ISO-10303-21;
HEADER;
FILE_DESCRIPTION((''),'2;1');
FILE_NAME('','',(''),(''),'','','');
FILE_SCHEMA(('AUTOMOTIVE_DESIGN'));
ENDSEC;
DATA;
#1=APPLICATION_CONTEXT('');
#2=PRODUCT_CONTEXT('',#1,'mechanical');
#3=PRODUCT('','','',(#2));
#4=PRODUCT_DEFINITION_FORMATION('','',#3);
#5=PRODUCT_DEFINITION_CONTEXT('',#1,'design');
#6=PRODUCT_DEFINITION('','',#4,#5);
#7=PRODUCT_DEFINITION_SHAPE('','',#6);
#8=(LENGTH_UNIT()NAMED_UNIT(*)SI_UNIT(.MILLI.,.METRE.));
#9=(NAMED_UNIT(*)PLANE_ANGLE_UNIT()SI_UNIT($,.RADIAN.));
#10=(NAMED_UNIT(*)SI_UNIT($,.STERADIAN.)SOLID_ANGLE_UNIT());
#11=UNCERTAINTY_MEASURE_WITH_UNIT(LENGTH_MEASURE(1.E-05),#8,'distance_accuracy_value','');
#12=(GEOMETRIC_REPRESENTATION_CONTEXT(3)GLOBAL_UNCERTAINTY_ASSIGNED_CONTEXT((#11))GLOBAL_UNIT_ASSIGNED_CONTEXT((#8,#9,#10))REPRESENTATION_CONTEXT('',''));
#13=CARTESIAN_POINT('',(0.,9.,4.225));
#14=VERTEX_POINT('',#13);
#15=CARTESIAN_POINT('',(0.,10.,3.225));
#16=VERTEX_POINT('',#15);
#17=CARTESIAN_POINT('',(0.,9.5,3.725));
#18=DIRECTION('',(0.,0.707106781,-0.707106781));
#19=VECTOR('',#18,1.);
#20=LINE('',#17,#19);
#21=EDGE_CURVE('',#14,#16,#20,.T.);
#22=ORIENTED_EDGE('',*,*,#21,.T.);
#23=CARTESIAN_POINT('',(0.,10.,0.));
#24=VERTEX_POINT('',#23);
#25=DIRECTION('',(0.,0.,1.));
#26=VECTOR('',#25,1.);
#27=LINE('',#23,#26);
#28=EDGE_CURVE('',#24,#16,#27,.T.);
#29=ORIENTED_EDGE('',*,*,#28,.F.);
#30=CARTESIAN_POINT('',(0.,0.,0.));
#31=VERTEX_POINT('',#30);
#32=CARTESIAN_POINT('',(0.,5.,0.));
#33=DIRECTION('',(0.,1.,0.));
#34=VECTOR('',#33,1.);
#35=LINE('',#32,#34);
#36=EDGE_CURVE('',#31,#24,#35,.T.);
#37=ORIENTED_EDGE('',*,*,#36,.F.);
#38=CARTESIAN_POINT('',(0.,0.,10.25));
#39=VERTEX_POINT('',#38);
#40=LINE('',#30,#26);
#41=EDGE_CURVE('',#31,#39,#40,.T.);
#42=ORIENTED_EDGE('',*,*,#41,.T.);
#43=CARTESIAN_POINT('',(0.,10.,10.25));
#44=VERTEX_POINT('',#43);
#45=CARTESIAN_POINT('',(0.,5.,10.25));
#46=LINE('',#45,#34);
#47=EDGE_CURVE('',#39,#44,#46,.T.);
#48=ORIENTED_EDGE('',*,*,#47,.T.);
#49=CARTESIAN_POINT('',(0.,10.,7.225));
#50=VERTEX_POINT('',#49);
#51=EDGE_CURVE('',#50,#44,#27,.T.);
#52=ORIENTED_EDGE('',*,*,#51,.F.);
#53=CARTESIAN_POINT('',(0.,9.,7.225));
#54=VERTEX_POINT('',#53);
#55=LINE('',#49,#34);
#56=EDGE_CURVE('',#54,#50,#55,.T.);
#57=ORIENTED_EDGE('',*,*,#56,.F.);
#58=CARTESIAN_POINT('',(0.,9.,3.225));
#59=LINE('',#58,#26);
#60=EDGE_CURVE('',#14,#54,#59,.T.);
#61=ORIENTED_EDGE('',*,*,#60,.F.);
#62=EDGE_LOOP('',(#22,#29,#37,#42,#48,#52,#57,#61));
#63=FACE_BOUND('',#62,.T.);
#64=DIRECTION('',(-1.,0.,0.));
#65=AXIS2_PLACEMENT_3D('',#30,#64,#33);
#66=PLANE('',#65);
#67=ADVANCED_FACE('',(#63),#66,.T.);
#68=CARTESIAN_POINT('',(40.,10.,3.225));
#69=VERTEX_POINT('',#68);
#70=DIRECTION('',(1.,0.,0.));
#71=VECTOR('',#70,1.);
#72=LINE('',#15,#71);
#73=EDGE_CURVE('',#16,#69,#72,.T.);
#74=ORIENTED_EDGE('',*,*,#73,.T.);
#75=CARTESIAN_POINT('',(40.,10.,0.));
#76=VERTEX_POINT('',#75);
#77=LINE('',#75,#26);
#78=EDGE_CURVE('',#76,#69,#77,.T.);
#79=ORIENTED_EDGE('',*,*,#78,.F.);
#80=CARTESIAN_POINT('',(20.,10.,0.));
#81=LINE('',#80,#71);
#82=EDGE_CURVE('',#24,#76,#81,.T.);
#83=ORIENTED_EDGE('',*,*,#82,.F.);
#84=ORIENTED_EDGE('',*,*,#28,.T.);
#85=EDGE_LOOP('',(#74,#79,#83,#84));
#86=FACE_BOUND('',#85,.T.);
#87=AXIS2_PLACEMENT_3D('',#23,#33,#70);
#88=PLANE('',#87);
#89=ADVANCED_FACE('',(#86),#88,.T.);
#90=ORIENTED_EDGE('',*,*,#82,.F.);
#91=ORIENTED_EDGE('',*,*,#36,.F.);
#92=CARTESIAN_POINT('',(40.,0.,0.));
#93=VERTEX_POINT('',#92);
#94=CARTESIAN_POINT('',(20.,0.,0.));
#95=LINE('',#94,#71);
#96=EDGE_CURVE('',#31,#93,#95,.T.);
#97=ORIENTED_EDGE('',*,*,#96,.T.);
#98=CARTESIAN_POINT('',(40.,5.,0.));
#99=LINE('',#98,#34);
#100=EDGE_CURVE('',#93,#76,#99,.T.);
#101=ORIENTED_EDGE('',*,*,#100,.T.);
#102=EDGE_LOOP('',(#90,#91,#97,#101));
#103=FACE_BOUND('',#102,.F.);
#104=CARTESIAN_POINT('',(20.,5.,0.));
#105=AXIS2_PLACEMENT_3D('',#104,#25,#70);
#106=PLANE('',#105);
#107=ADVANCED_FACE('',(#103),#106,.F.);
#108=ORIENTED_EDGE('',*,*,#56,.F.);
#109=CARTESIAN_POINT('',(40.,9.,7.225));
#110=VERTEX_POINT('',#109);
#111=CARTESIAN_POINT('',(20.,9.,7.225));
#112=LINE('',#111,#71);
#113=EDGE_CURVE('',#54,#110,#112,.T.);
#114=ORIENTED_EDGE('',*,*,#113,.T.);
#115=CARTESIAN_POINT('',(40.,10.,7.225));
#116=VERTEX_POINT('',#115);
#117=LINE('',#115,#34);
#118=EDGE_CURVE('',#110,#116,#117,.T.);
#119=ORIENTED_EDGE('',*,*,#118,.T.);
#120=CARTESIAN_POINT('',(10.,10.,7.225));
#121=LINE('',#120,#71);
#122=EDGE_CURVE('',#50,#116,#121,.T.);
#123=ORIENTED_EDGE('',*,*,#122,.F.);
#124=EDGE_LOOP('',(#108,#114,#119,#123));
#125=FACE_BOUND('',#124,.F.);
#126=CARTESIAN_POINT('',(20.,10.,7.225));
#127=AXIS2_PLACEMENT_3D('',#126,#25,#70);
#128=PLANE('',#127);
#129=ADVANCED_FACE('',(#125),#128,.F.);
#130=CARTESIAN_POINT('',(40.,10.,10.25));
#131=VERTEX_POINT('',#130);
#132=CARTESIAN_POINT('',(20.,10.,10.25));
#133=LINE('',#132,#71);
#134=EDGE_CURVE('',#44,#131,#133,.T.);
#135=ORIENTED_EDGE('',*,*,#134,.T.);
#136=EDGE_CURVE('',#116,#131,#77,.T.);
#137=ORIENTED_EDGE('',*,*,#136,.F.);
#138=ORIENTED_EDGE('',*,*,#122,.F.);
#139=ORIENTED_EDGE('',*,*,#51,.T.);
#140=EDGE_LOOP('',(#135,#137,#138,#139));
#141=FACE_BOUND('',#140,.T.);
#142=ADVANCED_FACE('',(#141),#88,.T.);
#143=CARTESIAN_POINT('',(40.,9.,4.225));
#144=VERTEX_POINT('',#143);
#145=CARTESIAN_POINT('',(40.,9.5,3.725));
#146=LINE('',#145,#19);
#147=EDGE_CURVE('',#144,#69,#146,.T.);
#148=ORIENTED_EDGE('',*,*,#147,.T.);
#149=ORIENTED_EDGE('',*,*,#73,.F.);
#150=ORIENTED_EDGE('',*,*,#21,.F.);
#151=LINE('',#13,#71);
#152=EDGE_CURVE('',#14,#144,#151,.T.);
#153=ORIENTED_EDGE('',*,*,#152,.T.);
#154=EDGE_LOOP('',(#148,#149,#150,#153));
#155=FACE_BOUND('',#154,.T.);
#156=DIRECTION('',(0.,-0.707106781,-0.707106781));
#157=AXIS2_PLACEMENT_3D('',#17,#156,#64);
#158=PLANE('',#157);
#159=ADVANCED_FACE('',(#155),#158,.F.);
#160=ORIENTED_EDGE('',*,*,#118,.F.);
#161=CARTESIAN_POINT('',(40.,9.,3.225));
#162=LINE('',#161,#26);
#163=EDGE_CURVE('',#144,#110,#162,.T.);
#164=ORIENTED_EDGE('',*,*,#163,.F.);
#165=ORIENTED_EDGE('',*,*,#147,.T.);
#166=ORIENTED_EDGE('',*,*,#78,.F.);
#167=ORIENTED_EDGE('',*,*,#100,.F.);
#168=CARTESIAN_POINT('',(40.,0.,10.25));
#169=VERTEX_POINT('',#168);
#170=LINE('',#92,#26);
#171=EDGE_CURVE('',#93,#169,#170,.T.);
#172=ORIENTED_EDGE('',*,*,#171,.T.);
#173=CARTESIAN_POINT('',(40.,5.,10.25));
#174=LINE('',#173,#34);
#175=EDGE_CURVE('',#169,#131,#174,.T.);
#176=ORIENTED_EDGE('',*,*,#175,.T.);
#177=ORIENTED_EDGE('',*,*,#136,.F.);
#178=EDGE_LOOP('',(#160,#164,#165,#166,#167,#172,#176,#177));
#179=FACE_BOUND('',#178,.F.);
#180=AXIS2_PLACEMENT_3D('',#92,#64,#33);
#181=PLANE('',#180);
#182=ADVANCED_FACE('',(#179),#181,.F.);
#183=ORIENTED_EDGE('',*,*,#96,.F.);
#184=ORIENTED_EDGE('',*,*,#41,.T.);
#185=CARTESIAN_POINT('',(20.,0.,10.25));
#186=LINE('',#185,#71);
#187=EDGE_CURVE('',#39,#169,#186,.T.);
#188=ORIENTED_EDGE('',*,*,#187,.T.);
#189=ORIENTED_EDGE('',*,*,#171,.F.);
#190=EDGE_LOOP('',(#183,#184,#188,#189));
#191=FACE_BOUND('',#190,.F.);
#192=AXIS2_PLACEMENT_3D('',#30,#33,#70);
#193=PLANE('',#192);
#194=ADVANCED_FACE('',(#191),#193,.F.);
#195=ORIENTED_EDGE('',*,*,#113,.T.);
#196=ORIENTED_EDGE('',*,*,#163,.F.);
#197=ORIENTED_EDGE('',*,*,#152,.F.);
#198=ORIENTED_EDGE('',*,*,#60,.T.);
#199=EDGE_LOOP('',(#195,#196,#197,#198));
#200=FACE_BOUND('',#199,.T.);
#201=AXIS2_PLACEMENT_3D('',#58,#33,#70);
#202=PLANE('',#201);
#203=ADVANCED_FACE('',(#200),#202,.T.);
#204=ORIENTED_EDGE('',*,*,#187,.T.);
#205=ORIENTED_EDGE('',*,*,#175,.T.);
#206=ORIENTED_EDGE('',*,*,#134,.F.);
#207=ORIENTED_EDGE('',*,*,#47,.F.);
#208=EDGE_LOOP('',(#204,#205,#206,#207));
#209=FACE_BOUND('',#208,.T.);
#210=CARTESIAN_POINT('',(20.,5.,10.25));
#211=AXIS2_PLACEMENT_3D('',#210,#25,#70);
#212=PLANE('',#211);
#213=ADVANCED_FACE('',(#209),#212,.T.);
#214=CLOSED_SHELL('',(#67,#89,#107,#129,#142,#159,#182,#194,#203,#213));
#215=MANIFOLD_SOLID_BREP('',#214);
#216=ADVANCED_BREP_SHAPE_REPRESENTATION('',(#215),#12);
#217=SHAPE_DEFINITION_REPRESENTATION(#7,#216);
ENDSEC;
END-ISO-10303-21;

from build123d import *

# Parameters (mm, degrees)
BOX023_W              = 40
BOX023_H              = 2
BOX023_DEPTH          = 4
CHAMFER006019005_SIZE = 1
BOX022_W              = 40
BOX022_H              = 10
BOX022_DEPTH          = 10.25


with BuildPart() as chamfer006019005:
    # Box023 → Box023 (new body)
    with BuildSketch(Plane(origin=(0, 9, 3.225), x_dir=(1, 0, 0), z_dir=(0, 0, 1))):
        with Locations((20, 1)):
            Rectangle(BOX023_W, BOX023_H)
    extrude(amount=BOX023_DEPTH)

    # Chamfer006019005
    chamfer006019005_edges = [chamfer006019005.edges().sort_by_distance(p)[0] for p in [
        (20, 9, 3.225),
    ]]
    chamfer(chamfer006019005_edges, length=CHAMFER006019005_SIZE)


with BuildPart() as t_slot_vertical_align_cut:
    # Box022 → Box022 (new body)
    with BuildSketch(Plane.XY):
        with Locations((20, 5)):
            Rectangle(BOX022_W, BOX022_H)
    extrude(amount=BOX022_DEPTH)

    # Cut026: cut Chamfer006019005
    add(chamfer006019005.part, mode=Mode.SUBTRACT)


solid = t_slot_vertical_align_cut.part
